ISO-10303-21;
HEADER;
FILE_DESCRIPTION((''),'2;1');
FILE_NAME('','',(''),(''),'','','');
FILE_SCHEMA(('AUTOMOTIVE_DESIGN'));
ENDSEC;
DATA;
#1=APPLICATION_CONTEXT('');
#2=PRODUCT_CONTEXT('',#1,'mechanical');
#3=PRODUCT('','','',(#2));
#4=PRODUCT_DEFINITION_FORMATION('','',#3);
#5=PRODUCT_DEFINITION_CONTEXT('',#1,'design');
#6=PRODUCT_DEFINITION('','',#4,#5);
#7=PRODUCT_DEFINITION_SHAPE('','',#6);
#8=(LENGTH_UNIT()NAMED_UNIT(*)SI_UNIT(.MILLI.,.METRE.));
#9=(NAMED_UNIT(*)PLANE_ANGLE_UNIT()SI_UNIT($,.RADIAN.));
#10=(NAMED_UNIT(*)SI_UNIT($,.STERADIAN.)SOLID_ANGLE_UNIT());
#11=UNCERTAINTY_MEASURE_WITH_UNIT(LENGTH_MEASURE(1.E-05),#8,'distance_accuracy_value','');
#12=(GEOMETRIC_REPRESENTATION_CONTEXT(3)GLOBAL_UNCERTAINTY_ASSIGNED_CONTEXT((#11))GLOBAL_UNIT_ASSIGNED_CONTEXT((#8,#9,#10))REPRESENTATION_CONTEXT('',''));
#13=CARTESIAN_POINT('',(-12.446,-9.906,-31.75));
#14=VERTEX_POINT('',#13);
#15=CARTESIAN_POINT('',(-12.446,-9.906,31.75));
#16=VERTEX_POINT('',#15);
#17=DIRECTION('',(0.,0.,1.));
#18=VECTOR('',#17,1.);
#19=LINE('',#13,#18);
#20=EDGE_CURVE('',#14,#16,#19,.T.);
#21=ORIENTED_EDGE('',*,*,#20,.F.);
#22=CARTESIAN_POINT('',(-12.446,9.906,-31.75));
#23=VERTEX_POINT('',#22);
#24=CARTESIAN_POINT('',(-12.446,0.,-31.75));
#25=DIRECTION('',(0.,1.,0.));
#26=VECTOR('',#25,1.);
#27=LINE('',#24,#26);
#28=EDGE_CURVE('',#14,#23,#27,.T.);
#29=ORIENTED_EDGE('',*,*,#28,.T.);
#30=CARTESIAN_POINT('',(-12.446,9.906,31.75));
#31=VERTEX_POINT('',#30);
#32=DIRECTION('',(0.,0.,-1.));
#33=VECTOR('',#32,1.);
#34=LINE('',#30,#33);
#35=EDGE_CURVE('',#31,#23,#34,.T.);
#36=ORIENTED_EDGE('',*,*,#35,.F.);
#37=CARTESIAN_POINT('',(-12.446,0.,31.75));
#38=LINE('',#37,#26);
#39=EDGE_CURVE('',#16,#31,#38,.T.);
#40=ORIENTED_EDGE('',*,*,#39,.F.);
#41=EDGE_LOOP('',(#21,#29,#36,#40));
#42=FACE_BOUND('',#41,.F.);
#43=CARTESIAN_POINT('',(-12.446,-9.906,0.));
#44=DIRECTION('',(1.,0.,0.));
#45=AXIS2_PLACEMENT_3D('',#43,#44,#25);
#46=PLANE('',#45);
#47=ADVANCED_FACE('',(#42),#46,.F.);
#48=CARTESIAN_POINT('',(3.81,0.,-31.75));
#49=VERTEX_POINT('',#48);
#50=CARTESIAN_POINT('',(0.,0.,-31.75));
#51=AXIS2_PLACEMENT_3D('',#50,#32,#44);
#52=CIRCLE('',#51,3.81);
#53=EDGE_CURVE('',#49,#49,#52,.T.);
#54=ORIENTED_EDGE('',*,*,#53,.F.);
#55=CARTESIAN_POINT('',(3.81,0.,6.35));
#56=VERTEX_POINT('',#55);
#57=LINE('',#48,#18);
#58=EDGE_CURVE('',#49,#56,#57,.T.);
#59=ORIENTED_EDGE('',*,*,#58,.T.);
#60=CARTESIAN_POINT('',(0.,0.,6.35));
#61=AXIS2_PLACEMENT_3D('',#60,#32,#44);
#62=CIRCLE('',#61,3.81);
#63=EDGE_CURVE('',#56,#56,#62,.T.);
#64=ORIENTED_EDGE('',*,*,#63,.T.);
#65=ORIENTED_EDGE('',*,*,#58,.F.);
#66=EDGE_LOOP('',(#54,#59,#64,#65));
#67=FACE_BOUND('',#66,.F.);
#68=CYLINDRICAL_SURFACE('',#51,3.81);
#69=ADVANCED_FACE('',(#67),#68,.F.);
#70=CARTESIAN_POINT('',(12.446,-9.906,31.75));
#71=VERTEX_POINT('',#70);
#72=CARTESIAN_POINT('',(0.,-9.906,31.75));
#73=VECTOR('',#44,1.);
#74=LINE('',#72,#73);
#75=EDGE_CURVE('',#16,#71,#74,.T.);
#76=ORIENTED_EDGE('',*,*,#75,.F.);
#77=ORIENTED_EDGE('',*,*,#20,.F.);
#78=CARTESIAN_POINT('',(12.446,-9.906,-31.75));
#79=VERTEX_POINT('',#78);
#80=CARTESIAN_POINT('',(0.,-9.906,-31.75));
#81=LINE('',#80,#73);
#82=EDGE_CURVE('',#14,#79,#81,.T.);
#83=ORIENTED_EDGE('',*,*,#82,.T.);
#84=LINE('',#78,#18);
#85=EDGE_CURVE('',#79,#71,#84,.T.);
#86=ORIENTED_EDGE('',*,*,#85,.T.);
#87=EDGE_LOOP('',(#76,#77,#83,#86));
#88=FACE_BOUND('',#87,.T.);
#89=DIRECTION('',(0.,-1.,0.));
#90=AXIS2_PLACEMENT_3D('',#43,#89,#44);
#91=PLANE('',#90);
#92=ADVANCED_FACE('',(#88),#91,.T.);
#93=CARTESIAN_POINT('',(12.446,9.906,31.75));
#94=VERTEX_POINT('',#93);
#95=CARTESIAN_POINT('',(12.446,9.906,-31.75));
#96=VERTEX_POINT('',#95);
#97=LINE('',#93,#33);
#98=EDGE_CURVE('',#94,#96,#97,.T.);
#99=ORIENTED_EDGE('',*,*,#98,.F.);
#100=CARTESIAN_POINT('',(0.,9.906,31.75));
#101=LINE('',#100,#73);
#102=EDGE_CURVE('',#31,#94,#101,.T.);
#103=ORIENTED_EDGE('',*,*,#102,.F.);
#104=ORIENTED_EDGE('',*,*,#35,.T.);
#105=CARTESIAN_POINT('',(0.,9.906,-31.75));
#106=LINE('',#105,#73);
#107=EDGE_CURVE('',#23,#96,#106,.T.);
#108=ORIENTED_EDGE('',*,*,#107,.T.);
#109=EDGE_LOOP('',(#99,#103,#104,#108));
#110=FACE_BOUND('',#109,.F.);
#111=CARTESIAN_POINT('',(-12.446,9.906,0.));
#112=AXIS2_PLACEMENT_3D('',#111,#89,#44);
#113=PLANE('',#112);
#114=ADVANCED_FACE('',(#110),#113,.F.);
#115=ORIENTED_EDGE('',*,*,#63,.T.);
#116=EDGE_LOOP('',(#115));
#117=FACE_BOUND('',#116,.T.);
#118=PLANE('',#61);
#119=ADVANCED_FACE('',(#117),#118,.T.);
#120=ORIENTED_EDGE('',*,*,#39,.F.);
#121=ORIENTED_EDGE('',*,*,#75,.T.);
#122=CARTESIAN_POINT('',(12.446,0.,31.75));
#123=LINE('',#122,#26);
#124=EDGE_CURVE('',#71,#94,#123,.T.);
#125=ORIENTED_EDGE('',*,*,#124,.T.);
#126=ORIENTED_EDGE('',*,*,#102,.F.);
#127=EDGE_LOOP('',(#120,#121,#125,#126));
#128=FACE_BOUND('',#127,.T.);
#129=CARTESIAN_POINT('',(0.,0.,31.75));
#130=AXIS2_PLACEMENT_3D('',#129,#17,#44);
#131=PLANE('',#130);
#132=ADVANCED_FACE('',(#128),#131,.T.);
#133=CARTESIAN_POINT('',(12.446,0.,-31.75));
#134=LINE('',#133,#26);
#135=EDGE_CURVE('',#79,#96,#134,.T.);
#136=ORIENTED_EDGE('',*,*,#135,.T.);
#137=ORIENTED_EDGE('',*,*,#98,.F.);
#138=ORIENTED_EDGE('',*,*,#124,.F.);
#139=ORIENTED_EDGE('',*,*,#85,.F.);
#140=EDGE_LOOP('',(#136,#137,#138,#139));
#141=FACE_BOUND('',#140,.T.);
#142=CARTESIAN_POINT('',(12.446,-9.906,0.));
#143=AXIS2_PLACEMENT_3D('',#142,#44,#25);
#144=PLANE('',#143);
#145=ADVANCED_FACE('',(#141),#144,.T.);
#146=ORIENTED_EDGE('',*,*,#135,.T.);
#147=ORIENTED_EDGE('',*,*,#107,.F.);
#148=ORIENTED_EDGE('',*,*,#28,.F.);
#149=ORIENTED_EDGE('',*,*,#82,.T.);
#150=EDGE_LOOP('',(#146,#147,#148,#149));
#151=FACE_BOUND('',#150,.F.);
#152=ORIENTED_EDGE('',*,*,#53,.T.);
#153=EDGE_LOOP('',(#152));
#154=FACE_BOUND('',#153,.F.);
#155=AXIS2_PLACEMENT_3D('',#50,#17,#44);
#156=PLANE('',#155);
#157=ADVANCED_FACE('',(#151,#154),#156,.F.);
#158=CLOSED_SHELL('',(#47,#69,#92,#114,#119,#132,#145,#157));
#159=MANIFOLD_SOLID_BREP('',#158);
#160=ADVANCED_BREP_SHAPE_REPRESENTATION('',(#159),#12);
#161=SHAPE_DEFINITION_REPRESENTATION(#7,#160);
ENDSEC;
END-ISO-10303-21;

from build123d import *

# Parameters (mm, degrees)
F0_W     = 24.892
F0_H     = 19.812
F1_DEPTH = 31.75
F2_R     = 3.81
F3_DEPTH = 38.1


with BuildPart() as f1:
    # F0 (on Top) → F1 (new body, symmetric)
    with BuildSketch(Plane.XY):
        Rectangle(F0_W, F0_H)
    extrude(amount=F1_DEPTH, both=True)

    # F2 (on face) → F3 (cut)
    with BuildSketch(Plane(origin=(0, 0, -31.75), x_dir=(1, 0, 0), z_dir=(0, 0, -1))):
        Circle(F2_R)
    extrude(amount=-F3_DEPTH, mode=Mode.SUBTRACT)


solid = f1.part
